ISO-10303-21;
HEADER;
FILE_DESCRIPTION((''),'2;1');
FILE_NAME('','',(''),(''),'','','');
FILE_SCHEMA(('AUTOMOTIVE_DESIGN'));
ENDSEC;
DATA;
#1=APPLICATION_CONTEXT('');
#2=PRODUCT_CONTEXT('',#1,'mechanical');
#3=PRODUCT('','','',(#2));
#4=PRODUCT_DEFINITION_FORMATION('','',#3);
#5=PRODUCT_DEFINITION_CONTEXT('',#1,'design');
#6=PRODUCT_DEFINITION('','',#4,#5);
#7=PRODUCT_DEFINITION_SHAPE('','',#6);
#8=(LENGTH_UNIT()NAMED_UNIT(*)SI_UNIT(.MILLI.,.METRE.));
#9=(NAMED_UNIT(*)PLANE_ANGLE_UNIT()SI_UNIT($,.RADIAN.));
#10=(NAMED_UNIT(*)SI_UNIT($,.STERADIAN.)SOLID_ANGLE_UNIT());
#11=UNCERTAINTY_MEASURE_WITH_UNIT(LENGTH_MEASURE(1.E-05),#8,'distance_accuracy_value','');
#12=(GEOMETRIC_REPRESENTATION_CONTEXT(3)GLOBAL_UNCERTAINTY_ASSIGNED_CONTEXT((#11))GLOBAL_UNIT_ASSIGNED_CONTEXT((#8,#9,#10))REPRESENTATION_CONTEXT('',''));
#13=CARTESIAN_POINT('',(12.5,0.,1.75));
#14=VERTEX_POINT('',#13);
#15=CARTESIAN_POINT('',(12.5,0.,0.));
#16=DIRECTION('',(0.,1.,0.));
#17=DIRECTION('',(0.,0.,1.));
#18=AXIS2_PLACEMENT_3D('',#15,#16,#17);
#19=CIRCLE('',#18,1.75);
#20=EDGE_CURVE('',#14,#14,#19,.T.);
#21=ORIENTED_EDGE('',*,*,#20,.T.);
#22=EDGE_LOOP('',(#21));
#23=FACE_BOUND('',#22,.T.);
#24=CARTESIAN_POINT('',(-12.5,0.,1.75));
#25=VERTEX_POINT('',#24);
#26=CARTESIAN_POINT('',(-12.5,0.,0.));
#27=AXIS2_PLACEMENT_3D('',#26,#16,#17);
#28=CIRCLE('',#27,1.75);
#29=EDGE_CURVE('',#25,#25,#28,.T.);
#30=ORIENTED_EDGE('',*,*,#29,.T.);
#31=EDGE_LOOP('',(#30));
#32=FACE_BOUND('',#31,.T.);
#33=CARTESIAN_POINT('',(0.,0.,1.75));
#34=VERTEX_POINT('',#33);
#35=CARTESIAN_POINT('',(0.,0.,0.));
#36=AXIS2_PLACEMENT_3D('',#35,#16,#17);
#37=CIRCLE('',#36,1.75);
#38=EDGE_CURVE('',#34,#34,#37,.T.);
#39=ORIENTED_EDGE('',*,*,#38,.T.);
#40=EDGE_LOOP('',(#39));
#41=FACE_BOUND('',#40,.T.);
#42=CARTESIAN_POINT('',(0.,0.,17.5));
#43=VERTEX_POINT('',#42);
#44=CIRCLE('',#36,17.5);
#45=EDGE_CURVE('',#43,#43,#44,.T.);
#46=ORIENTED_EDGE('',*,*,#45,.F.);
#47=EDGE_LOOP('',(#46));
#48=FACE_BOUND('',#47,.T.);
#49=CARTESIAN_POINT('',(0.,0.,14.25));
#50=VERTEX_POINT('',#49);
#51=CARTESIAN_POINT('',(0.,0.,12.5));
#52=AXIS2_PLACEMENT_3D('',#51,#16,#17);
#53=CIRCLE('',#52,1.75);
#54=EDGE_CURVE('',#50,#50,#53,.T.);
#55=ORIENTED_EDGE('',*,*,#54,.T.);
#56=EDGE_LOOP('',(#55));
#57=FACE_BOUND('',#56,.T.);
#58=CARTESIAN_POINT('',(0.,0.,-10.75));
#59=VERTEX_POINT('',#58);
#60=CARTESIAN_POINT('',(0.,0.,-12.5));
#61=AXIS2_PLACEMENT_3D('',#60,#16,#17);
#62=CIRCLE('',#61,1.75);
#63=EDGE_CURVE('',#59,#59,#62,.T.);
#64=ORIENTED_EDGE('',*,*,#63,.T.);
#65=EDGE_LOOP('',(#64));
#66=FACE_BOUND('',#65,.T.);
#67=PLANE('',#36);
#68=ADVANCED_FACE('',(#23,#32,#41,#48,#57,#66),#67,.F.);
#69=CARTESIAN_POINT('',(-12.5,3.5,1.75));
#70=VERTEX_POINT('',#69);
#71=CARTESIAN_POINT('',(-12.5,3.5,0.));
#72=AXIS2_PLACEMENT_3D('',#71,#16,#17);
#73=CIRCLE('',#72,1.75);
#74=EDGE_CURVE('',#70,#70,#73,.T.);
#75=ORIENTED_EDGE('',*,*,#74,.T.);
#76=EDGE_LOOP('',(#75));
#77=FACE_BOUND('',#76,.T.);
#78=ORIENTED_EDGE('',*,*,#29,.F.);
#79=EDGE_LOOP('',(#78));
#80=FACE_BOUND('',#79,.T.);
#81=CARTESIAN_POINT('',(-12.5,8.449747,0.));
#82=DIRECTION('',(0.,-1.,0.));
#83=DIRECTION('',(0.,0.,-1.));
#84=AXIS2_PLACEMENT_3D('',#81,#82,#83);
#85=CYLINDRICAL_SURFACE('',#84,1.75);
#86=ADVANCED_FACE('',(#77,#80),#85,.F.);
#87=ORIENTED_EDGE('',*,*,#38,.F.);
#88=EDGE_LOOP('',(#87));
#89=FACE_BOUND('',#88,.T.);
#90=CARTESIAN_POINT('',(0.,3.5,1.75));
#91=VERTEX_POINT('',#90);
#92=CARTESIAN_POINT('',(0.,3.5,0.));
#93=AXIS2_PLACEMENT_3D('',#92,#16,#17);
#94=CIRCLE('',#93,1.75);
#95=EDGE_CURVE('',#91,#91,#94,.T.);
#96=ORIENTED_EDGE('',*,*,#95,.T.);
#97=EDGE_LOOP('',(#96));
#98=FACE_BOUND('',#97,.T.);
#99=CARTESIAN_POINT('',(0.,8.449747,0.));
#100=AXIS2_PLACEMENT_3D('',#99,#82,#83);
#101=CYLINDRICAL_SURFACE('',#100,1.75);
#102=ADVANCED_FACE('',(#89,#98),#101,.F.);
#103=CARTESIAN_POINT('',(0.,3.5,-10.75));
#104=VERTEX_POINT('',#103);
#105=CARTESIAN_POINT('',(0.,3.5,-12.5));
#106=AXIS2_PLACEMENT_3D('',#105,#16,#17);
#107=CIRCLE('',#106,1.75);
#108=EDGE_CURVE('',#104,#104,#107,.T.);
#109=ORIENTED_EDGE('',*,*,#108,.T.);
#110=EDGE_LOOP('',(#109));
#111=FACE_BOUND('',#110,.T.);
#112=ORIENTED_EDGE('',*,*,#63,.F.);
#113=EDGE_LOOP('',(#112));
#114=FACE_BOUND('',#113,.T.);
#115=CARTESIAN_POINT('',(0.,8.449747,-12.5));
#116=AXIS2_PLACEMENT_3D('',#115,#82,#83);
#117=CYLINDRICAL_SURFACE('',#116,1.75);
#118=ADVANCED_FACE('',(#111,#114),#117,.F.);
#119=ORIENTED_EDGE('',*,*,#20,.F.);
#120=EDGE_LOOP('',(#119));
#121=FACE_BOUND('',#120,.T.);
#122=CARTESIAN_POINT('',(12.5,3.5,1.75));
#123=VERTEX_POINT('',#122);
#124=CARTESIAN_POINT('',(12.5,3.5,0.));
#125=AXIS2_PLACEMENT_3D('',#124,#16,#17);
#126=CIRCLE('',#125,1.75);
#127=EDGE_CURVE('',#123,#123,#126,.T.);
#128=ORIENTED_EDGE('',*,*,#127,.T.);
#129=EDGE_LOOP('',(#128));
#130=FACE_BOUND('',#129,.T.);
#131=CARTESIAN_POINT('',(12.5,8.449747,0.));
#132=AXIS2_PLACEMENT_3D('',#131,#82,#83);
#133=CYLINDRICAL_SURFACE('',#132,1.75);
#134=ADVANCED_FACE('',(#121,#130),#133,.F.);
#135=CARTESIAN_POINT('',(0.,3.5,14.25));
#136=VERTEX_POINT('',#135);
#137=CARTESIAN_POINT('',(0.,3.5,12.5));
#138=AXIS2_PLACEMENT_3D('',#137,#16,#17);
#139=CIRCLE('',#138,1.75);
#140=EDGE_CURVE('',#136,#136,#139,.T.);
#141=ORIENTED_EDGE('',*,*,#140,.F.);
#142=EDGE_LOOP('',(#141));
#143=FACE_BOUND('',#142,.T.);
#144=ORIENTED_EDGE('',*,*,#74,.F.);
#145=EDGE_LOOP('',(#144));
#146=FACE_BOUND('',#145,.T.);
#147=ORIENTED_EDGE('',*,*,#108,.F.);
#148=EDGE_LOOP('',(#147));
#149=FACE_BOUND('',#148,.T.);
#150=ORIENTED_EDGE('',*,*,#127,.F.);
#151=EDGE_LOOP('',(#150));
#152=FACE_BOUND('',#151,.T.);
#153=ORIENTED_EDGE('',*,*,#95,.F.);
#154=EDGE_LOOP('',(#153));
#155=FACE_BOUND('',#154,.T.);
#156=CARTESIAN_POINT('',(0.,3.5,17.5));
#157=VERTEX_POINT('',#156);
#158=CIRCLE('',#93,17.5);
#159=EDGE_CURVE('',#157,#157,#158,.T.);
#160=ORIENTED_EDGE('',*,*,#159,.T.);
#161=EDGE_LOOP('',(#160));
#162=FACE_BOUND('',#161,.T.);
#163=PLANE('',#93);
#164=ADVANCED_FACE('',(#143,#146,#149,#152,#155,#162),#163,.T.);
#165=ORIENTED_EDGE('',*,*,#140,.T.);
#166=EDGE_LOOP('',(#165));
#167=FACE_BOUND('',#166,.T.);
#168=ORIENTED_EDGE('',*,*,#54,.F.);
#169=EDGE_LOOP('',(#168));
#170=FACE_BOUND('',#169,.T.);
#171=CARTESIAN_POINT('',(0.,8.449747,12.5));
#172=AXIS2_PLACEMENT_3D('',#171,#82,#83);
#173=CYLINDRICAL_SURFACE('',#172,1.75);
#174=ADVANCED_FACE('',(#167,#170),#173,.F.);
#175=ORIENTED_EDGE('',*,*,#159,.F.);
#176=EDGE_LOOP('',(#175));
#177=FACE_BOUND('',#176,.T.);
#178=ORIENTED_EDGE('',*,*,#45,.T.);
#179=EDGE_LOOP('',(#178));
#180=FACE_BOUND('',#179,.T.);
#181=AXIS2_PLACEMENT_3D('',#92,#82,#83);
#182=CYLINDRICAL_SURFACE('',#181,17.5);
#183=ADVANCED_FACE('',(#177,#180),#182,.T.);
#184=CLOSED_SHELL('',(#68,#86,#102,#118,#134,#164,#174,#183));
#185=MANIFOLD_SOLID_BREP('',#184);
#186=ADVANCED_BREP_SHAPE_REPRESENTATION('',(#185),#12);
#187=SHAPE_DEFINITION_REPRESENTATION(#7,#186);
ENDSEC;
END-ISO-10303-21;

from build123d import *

# Parameters (mm, degrees)
SKETCH1_R           = 17.5
BOSS_EXTRUDE1_DEPTH = 3.5
SKETCH1_3_R         = 1.75
CUT_EXTRUDE1_DEPTH  = 3.5


with BuildPart() as part:
    # Sketch1 → Boss-Extrude1 (new body)
    with BuildSketch(Plane(origin=(0, 0, 0), x_dir=(1, 0, 0), z_dir=(0, 1, 0))):
        Circle(SKETCH1_R)
    extrude(amount=BOSS_EXTRUDE1_DEPTH)

    # Sketch1<3> → Cut-Extrude1 (cut)
    with BuildSketch(Plane(origin=(0, 0, 0), x_dir=(1, 0, 0), z_dir=(0, 1, 0))):
        Circle(SKETCH1_3_R)
        with Locations((0, 12.5)):
            Circle(SKETCH1_3_R)
        with Locations((-12.5, 0)):
            Circle(SKETCH1_3_R)
        with Locations((0, -12.5)):
            Circle(SKETCH1_3_R)
        with Locations((12.5, 0)):
            Circle(SKETCH1_3_R)
    extrude(amount=CUT_EXTRUDE1_DEPTH, mode=Mode.SUBTRACT)


solid = part.part
